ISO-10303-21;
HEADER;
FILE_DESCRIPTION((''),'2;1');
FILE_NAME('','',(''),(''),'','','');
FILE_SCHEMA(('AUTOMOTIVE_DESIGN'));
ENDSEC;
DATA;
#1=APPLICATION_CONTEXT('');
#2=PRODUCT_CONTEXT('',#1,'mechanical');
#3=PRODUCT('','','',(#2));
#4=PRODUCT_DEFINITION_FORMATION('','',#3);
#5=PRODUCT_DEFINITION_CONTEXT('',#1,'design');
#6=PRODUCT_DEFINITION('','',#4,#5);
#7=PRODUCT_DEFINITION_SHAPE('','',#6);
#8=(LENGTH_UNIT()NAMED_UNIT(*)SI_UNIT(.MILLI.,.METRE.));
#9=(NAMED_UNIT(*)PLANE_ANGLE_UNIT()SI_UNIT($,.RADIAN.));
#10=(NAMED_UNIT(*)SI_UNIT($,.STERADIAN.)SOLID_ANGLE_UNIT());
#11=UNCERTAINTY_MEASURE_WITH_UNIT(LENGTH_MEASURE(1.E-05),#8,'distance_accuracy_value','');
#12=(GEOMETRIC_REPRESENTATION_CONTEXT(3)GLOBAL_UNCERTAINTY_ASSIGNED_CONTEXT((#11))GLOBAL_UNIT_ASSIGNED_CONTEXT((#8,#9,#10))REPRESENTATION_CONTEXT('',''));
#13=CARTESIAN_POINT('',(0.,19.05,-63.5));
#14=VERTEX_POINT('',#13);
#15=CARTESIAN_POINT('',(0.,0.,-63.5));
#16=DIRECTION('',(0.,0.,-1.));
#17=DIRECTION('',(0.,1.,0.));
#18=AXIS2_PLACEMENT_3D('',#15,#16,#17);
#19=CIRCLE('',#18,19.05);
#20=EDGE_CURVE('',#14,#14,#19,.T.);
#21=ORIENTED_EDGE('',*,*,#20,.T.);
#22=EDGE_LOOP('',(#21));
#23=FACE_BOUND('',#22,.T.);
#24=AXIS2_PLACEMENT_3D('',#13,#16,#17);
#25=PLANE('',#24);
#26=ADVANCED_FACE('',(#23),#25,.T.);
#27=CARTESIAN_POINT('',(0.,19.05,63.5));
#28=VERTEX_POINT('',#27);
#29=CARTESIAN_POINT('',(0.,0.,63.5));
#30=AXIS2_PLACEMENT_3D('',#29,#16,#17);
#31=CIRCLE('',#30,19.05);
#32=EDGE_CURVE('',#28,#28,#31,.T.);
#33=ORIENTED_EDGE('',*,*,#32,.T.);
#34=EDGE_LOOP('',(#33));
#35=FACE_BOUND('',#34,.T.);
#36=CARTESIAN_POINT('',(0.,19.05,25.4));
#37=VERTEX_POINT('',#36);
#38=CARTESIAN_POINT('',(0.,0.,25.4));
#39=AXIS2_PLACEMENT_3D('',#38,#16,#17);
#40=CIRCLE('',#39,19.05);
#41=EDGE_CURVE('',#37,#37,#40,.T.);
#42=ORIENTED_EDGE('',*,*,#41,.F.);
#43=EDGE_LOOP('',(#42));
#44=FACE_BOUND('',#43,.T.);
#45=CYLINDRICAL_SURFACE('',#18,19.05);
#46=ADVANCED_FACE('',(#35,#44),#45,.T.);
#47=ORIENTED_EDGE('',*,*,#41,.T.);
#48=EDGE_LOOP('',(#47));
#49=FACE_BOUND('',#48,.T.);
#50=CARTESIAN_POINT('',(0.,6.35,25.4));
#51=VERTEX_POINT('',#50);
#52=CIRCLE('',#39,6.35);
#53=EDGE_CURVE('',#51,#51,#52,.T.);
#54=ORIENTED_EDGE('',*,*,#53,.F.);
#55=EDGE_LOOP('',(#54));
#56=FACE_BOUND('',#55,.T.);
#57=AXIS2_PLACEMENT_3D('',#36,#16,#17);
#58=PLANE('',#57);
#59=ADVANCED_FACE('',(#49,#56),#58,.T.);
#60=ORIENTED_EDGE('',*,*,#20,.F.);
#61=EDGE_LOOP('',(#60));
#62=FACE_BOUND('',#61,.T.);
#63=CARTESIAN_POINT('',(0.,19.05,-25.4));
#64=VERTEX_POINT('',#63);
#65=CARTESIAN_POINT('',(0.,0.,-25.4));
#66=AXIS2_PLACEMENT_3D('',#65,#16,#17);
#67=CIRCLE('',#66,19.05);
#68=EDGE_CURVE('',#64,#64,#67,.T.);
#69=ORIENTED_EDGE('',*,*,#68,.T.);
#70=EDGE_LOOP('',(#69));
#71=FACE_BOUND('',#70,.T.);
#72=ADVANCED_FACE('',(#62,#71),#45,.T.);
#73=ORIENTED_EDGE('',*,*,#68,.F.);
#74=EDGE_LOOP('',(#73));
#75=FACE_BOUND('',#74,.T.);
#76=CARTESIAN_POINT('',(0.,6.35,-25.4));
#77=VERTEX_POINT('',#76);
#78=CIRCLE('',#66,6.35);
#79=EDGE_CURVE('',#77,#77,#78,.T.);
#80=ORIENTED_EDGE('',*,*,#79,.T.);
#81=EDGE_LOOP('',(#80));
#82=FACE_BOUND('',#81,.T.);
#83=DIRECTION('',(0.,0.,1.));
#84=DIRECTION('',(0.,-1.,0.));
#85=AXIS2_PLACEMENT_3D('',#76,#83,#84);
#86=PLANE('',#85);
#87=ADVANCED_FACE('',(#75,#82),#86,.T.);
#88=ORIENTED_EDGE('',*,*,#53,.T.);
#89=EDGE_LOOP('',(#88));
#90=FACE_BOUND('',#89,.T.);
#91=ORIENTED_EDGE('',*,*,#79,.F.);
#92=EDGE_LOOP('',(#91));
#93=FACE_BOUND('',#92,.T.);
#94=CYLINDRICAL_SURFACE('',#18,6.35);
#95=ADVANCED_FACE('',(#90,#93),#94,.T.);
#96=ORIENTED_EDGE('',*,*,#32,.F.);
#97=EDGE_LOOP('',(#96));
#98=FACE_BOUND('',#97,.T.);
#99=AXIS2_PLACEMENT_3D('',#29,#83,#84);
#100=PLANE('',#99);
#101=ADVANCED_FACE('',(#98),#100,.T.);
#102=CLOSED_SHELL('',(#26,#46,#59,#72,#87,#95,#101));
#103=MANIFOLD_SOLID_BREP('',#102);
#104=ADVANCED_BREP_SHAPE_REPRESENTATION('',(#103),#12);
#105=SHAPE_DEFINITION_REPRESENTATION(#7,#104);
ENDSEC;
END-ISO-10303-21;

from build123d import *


with BuildPart() as part:
    # Sketch1 → Revolve1 (revolve)
    with BuildSketch(Plane(origin=(0, 0, 0), x_dir=(0, 0, -1), z_dir=(1, 0, 0))):
        Polygon((63.5, 0), (-63.5, 0), (-63.5, 19.05), (-25.4, 19.05), (-25.4, 6.35), (25.4, 6.35), (25.4, 19.05), (63.5, 19.05), align=None)
    revolve(axis=Axis((0, 0, -63.5), (0, 0, 1)))


solid = part.part
